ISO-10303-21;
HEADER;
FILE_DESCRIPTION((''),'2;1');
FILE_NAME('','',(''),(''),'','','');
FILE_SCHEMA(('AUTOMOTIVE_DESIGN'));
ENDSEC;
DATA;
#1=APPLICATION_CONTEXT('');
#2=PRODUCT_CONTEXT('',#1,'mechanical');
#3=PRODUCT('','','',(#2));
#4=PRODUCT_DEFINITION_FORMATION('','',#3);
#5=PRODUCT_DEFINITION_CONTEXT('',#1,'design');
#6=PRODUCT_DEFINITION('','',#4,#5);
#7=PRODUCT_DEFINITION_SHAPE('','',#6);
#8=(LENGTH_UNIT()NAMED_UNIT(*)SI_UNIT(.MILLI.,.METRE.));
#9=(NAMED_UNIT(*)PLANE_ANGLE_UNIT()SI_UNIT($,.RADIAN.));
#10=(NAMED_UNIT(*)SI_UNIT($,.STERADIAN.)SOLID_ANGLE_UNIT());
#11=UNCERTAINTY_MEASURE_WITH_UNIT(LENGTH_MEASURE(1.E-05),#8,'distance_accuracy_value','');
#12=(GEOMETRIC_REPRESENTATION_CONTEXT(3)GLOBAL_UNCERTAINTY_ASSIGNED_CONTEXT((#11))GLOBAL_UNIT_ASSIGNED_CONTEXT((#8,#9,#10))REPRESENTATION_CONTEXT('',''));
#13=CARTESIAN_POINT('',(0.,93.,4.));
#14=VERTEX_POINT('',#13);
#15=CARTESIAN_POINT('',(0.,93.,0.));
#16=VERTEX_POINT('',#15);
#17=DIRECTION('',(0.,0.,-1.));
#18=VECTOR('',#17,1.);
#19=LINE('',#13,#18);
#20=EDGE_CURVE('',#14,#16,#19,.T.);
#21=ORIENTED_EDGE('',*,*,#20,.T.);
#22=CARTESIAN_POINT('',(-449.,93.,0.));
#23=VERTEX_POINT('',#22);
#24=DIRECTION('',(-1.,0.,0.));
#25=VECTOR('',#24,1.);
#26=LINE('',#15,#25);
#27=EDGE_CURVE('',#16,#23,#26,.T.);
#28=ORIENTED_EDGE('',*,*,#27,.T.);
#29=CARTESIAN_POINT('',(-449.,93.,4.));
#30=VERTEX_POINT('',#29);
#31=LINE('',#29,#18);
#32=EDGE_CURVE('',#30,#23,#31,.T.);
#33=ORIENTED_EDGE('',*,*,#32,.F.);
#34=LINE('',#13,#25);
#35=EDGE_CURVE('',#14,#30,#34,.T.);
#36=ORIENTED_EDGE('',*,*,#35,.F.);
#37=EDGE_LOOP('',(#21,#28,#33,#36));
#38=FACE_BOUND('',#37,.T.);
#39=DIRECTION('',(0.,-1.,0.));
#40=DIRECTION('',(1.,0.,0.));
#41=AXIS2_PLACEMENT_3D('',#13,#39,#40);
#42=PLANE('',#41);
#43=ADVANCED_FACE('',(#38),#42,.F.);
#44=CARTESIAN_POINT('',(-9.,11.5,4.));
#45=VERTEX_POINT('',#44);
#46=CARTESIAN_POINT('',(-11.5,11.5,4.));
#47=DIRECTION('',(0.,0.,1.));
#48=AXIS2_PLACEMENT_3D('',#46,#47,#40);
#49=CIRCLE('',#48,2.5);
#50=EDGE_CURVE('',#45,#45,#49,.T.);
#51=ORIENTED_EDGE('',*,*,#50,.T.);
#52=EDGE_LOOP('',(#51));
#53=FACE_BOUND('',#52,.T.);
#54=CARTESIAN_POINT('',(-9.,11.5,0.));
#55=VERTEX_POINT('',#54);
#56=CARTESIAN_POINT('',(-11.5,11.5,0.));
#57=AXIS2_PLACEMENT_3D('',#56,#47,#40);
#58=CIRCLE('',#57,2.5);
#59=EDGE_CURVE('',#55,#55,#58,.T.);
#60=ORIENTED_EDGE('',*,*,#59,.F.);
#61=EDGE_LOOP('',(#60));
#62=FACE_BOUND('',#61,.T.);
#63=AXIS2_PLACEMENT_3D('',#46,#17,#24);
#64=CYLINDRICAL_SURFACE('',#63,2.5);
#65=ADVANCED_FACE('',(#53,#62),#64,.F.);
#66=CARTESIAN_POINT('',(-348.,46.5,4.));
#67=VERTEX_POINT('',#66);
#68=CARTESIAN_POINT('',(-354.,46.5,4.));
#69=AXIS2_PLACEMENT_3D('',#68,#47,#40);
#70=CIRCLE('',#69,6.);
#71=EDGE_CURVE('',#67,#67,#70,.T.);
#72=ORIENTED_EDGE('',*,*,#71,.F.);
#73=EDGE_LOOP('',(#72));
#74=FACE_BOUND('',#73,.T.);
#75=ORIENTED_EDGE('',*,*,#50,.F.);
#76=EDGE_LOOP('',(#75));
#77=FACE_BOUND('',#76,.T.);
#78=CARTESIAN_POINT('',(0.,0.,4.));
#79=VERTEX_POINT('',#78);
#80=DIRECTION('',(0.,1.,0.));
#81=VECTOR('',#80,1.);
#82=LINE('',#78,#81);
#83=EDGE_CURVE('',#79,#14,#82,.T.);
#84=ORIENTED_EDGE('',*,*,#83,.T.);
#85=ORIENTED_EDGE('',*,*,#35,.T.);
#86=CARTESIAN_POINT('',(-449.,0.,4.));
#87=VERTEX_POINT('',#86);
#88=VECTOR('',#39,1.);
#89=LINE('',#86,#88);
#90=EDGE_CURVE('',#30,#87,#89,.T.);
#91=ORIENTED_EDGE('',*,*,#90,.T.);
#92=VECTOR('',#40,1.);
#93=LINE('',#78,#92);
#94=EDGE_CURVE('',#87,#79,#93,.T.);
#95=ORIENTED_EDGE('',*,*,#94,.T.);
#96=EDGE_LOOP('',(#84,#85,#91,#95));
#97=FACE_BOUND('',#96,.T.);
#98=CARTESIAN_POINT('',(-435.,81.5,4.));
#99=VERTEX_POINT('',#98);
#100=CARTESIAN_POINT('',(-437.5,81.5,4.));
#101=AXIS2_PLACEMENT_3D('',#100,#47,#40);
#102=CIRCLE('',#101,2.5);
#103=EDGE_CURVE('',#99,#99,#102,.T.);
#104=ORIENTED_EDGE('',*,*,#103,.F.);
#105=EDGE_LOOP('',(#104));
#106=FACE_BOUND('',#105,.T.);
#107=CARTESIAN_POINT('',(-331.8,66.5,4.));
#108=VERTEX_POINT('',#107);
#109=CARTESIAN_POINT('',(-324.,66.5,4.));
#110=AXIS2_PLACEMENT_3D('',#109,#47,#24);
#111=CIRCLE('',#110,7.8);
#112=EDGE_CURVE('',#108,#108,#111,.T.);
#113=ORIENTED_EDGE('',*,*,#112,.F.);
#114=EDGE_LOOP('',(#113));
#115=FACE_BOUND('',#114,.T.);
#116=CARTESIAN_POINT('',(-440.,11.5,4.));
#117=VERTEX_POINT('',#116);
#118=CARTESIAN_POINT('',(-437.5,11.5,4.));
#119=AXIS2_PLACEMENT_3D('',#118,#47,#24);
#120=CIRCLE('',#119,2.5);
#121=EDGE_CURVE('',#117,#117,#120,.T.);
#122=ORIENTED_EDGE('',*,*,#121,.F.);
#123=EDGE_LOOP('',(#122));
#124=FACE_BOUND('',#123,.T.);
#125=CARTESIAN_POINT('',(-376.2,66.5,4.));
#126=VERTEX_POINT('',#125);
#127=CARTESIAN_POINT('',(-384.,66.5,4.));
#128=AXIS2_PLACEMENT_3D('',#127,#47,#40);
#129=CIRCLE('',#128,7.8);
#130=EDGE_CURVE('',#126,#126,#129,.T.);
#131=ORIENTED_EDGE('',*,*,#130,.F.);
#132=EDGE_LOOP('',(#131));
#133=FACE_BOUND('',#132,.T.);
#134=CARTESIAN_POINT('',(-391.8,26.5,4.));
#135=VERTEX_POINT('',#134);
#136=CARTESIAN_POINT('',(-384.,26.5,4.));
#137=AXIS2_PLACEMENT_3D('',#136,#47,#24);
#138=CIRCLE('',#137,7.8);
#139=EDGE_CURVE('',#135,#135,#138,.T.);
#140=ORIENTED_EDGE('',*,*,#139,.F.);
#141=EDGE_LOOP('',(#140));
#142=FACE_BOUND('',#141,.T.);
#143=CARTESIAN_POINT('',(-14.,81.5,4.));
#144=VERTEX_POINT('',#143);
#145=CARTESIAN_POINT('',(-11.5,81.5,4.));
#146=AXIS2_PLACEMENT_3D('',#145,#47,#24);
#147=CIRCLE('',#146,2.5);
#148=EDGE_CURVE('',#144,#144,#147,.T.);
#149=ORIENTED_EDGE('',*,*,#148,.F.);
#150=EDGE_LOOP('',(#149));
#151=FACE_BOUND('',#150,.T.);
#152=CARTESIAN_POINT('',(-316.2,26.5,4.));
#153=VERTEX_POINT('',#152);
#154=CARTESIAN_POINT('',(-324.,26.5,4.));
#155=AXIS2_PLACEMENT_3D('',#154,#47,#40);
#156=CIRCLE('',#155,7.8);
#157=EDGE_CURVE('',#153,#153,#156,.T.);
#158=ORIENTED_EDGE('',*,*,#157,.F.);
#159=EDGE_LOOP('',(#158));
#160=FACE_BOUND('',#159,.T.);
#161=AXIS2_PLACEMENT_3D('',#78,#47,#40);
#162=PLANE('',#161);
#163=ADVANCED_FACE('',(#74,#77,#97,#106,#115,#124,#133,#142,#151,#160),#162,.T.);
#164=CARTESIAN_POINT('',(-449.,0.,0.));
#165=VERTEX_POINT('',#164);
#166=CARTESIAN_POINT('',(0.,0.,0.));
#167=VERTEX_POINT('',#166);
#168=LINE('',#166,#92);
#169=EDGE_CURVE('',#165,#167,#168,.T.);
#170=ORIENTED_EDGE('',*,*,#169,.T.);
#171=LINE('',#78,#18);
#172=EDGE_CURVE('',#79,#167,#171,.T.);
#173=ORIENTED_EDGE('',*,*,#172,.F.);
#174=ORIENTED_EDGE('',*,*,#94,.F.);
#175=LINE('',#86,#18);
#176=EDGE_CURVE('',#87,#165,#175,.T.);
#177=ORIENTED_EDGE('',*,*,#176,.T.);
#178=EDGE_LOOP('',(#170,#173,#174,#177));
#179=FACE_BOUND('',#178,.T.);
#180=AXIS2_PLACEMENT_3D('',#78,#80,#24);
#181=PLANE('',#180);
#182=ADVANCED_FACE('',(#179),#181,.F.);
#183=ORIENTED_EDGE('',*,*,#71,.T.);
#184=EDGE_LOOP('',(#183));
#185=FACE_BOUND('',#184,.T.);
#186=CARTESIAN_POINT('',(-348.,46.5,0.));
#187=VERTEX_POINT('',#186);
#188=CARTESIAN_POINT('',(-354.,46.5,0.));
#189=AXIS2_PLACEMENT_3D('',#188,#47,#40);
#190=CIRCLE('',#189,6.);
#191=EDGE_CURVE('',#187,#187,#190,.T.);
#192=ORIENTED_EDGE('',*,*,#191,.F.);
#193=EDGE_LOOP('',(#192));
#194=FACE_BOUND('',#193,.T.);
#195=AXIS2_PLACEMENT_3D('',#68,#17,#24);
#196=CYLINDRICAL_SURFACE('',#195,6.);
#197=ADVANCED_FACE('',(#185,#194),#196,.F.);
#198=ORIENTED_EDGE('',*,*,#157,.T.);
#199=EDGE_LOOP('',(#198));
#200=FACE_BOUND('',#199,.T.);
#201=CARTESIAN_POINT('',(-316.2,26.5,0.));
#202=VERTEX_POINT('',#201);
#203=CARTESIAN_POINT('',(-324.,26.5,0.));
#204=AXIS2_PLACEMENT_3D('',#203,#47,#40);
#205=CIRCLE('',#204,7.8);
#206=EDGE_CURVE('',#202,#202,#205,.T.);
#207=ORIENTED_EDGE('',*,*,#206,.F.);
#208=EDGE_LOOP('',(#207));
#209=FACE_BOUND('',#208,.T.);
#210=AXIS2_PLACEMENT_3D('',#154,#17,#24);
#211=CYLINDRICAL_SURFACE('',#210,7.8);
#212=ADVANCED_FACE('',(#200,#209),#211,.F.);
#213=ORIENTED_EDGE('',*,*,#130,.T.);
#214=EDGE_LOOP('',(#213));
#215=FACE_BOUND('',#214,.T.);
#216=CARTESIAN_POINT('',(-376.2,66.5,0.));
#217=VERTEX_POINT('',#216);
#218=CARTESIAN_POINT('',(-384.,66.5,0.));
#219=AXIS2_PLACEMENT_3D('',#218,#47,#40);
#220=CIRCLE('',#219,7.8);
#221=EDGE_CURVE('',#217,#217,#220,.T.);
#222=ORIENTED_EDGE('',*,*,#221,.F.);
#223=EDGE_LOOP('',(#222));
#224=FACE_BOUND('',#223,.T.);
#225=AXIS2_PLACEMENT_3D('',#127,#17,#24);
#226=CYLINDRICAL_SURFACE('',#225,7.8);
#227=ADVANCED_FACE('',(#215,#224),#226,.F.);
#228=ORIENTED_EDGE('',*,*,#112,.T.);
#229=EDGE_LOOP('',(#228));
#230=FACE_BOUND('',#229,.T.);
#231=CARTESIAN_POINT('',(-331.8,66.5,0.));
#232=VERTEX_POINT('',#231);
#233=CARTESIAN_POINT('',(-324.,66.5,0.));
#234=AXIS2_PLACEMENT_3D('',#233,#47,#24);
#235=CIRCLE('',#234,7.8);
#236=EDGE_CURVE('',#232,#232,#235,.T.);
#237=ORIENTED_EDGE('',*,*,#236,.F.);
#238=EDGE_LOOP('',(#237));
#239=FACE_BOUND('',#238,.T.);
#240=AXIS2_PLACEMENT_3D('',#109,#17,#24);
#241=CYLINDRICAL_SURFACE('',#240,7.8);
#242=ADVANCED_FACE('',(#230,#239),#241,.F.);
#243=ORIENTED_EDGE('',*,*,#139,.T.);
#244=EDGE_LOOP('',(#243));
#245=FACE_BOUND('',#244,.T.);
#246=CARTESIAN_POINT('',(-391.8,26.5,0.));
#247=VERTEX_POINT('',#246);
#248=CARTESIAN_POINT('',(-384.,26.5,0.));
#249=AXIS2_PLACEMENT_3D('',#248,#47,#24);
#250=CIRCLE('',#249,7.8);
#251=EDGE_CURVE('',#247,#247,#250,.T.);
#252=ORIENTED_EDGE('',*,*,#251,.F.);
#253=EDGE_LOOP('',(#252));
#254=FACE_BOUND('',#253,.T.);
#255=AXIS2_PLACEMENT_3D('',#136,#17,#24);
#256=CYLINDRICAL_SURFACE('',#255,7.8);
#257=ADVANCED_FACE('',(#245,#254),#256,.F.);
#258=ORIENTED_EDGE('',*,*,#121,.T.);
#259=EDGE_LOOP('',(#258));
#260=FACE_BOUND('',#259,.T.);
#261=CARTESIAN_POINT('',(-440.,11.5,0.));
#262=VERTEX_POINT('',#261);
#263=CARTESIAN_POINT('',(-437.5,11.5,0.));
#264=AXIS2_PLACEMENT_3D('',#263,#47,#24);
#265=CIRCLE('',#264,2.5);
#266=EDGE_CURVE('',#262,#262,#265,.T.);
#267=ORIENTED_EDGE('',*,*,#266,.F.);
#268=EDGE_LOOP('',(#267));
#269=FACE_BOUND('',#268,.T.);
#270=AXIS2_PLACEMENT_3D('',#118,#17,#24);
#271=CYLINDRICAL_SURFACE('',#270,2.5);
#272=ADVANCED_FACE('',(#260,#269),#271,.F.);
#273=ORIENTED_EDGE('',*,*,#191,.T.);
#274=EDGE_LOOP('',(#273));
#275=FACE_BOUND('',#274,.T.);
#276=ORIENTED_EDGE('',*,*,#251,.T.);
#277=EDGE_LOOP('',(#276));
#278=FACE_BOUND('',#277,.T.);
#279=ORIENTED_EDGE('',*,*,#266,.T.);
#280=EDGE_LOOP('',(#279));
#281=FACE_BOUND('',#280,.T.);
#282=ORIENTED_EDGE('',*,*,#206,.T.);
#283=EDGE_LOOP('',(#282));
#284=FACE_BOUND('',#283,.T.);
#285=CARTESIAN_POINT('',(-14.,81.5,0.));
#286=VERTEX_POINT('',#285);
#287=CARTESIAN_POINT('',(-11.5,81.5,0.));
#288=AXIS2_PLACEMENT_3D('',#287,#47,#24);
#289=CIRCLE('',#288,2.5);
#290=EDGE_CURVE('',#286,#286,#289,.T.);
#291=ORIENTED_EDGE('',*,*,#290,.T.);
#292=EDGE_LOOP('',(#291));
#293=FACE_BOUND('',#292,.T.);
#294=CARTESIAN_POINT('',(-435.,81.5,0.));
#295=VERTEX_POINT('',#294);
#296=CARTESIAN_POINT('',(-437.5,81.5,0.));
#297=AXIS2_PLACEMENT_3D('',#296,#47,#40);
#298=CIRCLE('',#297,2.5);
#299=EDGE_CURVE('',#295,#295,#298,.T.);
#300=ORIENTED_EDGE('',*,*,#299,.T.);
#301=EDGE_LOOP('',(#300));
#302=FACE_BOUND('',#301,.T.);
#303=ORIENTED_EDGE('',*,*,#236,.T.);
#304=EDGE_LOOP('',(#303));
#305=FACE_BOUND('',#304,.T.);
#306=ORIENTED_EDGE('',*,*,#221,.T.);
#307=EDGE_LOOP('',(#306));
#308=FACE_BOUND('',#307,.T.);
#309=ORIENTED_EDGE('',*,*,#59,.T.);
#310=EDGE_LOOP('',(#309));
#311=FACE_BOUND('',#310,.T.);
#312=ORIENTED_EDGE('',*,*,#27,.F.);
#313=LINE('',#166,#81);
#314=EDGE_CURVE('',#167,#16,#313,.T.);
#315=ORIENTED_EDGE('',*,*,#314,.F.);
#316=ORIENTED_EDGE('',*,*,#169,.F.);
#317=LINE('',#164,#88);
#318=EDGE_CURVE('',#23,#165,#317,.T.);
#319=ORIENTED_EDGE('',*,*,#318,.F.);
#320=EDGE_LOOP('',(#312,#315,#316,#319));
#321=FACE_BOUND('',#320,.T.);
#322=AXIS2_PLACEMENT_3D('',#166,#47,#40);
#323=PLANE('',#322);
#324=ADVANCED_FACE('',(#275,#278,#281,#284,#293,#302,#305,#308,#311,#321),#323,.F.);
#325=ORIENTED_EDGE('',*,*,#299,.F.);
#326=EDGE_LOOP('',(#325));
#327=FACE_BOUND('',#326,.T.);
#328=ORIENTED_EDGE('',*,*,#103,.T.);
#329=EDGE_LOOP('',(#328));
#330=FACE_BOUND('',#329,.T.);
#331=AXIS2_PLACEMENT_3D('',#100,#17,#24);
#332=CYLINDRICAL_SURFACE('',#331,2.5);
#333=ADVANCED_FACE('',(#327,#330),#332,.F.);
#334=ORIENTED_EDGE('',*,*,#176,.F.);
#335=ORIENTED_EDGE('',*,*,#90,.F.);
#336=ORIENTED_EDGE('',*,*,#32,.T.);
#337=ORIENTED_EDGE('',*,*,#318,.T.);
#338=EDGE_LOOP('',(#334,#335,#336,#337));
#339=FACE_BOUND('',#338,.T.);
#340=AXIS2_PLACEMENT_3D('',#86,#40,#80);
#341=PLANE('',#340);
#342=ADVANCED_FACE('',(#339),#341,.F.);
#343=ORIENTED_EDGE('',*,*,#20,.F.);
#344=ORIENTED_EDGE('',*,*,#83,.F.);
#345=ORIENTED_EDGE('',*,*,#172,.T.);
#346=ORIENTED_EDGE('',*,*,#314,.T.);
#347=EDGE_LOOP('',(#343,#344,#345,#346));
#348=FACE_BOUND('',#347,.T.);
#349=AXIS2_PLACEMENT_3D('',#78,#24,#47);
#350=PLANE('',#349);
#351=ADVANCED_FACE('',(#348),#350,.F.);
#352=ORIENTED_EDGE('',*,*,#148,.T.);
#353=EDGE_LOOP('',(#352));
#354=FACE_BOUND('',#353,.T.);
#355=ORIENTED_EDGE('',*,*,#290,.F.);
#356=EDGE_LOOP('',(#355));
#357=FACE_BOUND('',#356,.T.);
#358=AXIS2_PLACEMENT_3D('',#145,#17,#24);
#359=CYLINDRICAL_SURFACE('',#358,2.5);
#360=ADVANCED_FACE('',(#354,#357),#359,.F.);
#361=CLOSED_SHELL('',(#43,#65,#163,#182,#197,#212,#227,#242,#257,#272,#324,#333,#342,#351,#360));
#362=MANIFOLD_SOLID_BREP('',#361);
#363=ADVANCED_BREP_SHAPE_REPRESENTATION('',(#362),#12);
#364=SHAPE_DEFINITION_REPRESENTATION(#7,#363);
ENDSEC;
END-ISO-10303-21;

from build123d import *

# Parameters (mm, degrees)
SCHIZZO1_W                   = 449
SCHIZZO1_H                   = 93
SCHIZZO1_R                   = 7.8
SCHIZZO1_R_2                 = 2.5
SCHIZZO1_R_3                 = 6
ESTRUSIONE_ESTRUSIONE1_DEPTH = 4


with BuildPart() as part:
    # Schizzo1 → Estrusione-Estrusione1 (new body)
    with BuildSketch(Plane.XY):
        with Locations((-224.5, 46.5)):
            Rectangle(SCHIZZO1_W, SCHIZZO1_H)
        with Locations((-384, 26.5)):
            Circle(SCHIZZO1_R, mode=Mode.SUBTRACT)
        with Locations((-437.5, 81.5)):
            Circle(SCHIZZO1_R_2, mode=Mode.SUBTRACT)
        with Locations((-11.5, 81.5)):
            Circle(SCHIZZO1_R_2, mode=Mode.SUBTRACT)
        with Locations((-11.5, 11.5)):
            Circle(SCHIZZO1_R_2, mode=Mode.SUBTRACT)
        with Locations((-437.5, 11.5)):
            Circle(SCHIZZO1_R_2, mode=Mode.SUBTRACT)
        with Locations((-324, 26.5)):
            Circle(SCHIZZO1_R, mode=Mode.SUBTRACT)
        with Locations((-324, 66.5)):
            Circle(SCHIZZO1_R, mode=Mode.SUBTRACT)
        with Locations((-384, 66.5)):
            Circle(SCHIZZO1_R, mode=Mode.SUBTRACT)
        with Locations((-354, 46.5)):
            Circle(SCHIZZO1_R_3, mode=Mode.SUBTRACT)
    extrude(amount=ESTRUSIONE_ESTRUSIONE1_DEPTH)


solid = part.part
